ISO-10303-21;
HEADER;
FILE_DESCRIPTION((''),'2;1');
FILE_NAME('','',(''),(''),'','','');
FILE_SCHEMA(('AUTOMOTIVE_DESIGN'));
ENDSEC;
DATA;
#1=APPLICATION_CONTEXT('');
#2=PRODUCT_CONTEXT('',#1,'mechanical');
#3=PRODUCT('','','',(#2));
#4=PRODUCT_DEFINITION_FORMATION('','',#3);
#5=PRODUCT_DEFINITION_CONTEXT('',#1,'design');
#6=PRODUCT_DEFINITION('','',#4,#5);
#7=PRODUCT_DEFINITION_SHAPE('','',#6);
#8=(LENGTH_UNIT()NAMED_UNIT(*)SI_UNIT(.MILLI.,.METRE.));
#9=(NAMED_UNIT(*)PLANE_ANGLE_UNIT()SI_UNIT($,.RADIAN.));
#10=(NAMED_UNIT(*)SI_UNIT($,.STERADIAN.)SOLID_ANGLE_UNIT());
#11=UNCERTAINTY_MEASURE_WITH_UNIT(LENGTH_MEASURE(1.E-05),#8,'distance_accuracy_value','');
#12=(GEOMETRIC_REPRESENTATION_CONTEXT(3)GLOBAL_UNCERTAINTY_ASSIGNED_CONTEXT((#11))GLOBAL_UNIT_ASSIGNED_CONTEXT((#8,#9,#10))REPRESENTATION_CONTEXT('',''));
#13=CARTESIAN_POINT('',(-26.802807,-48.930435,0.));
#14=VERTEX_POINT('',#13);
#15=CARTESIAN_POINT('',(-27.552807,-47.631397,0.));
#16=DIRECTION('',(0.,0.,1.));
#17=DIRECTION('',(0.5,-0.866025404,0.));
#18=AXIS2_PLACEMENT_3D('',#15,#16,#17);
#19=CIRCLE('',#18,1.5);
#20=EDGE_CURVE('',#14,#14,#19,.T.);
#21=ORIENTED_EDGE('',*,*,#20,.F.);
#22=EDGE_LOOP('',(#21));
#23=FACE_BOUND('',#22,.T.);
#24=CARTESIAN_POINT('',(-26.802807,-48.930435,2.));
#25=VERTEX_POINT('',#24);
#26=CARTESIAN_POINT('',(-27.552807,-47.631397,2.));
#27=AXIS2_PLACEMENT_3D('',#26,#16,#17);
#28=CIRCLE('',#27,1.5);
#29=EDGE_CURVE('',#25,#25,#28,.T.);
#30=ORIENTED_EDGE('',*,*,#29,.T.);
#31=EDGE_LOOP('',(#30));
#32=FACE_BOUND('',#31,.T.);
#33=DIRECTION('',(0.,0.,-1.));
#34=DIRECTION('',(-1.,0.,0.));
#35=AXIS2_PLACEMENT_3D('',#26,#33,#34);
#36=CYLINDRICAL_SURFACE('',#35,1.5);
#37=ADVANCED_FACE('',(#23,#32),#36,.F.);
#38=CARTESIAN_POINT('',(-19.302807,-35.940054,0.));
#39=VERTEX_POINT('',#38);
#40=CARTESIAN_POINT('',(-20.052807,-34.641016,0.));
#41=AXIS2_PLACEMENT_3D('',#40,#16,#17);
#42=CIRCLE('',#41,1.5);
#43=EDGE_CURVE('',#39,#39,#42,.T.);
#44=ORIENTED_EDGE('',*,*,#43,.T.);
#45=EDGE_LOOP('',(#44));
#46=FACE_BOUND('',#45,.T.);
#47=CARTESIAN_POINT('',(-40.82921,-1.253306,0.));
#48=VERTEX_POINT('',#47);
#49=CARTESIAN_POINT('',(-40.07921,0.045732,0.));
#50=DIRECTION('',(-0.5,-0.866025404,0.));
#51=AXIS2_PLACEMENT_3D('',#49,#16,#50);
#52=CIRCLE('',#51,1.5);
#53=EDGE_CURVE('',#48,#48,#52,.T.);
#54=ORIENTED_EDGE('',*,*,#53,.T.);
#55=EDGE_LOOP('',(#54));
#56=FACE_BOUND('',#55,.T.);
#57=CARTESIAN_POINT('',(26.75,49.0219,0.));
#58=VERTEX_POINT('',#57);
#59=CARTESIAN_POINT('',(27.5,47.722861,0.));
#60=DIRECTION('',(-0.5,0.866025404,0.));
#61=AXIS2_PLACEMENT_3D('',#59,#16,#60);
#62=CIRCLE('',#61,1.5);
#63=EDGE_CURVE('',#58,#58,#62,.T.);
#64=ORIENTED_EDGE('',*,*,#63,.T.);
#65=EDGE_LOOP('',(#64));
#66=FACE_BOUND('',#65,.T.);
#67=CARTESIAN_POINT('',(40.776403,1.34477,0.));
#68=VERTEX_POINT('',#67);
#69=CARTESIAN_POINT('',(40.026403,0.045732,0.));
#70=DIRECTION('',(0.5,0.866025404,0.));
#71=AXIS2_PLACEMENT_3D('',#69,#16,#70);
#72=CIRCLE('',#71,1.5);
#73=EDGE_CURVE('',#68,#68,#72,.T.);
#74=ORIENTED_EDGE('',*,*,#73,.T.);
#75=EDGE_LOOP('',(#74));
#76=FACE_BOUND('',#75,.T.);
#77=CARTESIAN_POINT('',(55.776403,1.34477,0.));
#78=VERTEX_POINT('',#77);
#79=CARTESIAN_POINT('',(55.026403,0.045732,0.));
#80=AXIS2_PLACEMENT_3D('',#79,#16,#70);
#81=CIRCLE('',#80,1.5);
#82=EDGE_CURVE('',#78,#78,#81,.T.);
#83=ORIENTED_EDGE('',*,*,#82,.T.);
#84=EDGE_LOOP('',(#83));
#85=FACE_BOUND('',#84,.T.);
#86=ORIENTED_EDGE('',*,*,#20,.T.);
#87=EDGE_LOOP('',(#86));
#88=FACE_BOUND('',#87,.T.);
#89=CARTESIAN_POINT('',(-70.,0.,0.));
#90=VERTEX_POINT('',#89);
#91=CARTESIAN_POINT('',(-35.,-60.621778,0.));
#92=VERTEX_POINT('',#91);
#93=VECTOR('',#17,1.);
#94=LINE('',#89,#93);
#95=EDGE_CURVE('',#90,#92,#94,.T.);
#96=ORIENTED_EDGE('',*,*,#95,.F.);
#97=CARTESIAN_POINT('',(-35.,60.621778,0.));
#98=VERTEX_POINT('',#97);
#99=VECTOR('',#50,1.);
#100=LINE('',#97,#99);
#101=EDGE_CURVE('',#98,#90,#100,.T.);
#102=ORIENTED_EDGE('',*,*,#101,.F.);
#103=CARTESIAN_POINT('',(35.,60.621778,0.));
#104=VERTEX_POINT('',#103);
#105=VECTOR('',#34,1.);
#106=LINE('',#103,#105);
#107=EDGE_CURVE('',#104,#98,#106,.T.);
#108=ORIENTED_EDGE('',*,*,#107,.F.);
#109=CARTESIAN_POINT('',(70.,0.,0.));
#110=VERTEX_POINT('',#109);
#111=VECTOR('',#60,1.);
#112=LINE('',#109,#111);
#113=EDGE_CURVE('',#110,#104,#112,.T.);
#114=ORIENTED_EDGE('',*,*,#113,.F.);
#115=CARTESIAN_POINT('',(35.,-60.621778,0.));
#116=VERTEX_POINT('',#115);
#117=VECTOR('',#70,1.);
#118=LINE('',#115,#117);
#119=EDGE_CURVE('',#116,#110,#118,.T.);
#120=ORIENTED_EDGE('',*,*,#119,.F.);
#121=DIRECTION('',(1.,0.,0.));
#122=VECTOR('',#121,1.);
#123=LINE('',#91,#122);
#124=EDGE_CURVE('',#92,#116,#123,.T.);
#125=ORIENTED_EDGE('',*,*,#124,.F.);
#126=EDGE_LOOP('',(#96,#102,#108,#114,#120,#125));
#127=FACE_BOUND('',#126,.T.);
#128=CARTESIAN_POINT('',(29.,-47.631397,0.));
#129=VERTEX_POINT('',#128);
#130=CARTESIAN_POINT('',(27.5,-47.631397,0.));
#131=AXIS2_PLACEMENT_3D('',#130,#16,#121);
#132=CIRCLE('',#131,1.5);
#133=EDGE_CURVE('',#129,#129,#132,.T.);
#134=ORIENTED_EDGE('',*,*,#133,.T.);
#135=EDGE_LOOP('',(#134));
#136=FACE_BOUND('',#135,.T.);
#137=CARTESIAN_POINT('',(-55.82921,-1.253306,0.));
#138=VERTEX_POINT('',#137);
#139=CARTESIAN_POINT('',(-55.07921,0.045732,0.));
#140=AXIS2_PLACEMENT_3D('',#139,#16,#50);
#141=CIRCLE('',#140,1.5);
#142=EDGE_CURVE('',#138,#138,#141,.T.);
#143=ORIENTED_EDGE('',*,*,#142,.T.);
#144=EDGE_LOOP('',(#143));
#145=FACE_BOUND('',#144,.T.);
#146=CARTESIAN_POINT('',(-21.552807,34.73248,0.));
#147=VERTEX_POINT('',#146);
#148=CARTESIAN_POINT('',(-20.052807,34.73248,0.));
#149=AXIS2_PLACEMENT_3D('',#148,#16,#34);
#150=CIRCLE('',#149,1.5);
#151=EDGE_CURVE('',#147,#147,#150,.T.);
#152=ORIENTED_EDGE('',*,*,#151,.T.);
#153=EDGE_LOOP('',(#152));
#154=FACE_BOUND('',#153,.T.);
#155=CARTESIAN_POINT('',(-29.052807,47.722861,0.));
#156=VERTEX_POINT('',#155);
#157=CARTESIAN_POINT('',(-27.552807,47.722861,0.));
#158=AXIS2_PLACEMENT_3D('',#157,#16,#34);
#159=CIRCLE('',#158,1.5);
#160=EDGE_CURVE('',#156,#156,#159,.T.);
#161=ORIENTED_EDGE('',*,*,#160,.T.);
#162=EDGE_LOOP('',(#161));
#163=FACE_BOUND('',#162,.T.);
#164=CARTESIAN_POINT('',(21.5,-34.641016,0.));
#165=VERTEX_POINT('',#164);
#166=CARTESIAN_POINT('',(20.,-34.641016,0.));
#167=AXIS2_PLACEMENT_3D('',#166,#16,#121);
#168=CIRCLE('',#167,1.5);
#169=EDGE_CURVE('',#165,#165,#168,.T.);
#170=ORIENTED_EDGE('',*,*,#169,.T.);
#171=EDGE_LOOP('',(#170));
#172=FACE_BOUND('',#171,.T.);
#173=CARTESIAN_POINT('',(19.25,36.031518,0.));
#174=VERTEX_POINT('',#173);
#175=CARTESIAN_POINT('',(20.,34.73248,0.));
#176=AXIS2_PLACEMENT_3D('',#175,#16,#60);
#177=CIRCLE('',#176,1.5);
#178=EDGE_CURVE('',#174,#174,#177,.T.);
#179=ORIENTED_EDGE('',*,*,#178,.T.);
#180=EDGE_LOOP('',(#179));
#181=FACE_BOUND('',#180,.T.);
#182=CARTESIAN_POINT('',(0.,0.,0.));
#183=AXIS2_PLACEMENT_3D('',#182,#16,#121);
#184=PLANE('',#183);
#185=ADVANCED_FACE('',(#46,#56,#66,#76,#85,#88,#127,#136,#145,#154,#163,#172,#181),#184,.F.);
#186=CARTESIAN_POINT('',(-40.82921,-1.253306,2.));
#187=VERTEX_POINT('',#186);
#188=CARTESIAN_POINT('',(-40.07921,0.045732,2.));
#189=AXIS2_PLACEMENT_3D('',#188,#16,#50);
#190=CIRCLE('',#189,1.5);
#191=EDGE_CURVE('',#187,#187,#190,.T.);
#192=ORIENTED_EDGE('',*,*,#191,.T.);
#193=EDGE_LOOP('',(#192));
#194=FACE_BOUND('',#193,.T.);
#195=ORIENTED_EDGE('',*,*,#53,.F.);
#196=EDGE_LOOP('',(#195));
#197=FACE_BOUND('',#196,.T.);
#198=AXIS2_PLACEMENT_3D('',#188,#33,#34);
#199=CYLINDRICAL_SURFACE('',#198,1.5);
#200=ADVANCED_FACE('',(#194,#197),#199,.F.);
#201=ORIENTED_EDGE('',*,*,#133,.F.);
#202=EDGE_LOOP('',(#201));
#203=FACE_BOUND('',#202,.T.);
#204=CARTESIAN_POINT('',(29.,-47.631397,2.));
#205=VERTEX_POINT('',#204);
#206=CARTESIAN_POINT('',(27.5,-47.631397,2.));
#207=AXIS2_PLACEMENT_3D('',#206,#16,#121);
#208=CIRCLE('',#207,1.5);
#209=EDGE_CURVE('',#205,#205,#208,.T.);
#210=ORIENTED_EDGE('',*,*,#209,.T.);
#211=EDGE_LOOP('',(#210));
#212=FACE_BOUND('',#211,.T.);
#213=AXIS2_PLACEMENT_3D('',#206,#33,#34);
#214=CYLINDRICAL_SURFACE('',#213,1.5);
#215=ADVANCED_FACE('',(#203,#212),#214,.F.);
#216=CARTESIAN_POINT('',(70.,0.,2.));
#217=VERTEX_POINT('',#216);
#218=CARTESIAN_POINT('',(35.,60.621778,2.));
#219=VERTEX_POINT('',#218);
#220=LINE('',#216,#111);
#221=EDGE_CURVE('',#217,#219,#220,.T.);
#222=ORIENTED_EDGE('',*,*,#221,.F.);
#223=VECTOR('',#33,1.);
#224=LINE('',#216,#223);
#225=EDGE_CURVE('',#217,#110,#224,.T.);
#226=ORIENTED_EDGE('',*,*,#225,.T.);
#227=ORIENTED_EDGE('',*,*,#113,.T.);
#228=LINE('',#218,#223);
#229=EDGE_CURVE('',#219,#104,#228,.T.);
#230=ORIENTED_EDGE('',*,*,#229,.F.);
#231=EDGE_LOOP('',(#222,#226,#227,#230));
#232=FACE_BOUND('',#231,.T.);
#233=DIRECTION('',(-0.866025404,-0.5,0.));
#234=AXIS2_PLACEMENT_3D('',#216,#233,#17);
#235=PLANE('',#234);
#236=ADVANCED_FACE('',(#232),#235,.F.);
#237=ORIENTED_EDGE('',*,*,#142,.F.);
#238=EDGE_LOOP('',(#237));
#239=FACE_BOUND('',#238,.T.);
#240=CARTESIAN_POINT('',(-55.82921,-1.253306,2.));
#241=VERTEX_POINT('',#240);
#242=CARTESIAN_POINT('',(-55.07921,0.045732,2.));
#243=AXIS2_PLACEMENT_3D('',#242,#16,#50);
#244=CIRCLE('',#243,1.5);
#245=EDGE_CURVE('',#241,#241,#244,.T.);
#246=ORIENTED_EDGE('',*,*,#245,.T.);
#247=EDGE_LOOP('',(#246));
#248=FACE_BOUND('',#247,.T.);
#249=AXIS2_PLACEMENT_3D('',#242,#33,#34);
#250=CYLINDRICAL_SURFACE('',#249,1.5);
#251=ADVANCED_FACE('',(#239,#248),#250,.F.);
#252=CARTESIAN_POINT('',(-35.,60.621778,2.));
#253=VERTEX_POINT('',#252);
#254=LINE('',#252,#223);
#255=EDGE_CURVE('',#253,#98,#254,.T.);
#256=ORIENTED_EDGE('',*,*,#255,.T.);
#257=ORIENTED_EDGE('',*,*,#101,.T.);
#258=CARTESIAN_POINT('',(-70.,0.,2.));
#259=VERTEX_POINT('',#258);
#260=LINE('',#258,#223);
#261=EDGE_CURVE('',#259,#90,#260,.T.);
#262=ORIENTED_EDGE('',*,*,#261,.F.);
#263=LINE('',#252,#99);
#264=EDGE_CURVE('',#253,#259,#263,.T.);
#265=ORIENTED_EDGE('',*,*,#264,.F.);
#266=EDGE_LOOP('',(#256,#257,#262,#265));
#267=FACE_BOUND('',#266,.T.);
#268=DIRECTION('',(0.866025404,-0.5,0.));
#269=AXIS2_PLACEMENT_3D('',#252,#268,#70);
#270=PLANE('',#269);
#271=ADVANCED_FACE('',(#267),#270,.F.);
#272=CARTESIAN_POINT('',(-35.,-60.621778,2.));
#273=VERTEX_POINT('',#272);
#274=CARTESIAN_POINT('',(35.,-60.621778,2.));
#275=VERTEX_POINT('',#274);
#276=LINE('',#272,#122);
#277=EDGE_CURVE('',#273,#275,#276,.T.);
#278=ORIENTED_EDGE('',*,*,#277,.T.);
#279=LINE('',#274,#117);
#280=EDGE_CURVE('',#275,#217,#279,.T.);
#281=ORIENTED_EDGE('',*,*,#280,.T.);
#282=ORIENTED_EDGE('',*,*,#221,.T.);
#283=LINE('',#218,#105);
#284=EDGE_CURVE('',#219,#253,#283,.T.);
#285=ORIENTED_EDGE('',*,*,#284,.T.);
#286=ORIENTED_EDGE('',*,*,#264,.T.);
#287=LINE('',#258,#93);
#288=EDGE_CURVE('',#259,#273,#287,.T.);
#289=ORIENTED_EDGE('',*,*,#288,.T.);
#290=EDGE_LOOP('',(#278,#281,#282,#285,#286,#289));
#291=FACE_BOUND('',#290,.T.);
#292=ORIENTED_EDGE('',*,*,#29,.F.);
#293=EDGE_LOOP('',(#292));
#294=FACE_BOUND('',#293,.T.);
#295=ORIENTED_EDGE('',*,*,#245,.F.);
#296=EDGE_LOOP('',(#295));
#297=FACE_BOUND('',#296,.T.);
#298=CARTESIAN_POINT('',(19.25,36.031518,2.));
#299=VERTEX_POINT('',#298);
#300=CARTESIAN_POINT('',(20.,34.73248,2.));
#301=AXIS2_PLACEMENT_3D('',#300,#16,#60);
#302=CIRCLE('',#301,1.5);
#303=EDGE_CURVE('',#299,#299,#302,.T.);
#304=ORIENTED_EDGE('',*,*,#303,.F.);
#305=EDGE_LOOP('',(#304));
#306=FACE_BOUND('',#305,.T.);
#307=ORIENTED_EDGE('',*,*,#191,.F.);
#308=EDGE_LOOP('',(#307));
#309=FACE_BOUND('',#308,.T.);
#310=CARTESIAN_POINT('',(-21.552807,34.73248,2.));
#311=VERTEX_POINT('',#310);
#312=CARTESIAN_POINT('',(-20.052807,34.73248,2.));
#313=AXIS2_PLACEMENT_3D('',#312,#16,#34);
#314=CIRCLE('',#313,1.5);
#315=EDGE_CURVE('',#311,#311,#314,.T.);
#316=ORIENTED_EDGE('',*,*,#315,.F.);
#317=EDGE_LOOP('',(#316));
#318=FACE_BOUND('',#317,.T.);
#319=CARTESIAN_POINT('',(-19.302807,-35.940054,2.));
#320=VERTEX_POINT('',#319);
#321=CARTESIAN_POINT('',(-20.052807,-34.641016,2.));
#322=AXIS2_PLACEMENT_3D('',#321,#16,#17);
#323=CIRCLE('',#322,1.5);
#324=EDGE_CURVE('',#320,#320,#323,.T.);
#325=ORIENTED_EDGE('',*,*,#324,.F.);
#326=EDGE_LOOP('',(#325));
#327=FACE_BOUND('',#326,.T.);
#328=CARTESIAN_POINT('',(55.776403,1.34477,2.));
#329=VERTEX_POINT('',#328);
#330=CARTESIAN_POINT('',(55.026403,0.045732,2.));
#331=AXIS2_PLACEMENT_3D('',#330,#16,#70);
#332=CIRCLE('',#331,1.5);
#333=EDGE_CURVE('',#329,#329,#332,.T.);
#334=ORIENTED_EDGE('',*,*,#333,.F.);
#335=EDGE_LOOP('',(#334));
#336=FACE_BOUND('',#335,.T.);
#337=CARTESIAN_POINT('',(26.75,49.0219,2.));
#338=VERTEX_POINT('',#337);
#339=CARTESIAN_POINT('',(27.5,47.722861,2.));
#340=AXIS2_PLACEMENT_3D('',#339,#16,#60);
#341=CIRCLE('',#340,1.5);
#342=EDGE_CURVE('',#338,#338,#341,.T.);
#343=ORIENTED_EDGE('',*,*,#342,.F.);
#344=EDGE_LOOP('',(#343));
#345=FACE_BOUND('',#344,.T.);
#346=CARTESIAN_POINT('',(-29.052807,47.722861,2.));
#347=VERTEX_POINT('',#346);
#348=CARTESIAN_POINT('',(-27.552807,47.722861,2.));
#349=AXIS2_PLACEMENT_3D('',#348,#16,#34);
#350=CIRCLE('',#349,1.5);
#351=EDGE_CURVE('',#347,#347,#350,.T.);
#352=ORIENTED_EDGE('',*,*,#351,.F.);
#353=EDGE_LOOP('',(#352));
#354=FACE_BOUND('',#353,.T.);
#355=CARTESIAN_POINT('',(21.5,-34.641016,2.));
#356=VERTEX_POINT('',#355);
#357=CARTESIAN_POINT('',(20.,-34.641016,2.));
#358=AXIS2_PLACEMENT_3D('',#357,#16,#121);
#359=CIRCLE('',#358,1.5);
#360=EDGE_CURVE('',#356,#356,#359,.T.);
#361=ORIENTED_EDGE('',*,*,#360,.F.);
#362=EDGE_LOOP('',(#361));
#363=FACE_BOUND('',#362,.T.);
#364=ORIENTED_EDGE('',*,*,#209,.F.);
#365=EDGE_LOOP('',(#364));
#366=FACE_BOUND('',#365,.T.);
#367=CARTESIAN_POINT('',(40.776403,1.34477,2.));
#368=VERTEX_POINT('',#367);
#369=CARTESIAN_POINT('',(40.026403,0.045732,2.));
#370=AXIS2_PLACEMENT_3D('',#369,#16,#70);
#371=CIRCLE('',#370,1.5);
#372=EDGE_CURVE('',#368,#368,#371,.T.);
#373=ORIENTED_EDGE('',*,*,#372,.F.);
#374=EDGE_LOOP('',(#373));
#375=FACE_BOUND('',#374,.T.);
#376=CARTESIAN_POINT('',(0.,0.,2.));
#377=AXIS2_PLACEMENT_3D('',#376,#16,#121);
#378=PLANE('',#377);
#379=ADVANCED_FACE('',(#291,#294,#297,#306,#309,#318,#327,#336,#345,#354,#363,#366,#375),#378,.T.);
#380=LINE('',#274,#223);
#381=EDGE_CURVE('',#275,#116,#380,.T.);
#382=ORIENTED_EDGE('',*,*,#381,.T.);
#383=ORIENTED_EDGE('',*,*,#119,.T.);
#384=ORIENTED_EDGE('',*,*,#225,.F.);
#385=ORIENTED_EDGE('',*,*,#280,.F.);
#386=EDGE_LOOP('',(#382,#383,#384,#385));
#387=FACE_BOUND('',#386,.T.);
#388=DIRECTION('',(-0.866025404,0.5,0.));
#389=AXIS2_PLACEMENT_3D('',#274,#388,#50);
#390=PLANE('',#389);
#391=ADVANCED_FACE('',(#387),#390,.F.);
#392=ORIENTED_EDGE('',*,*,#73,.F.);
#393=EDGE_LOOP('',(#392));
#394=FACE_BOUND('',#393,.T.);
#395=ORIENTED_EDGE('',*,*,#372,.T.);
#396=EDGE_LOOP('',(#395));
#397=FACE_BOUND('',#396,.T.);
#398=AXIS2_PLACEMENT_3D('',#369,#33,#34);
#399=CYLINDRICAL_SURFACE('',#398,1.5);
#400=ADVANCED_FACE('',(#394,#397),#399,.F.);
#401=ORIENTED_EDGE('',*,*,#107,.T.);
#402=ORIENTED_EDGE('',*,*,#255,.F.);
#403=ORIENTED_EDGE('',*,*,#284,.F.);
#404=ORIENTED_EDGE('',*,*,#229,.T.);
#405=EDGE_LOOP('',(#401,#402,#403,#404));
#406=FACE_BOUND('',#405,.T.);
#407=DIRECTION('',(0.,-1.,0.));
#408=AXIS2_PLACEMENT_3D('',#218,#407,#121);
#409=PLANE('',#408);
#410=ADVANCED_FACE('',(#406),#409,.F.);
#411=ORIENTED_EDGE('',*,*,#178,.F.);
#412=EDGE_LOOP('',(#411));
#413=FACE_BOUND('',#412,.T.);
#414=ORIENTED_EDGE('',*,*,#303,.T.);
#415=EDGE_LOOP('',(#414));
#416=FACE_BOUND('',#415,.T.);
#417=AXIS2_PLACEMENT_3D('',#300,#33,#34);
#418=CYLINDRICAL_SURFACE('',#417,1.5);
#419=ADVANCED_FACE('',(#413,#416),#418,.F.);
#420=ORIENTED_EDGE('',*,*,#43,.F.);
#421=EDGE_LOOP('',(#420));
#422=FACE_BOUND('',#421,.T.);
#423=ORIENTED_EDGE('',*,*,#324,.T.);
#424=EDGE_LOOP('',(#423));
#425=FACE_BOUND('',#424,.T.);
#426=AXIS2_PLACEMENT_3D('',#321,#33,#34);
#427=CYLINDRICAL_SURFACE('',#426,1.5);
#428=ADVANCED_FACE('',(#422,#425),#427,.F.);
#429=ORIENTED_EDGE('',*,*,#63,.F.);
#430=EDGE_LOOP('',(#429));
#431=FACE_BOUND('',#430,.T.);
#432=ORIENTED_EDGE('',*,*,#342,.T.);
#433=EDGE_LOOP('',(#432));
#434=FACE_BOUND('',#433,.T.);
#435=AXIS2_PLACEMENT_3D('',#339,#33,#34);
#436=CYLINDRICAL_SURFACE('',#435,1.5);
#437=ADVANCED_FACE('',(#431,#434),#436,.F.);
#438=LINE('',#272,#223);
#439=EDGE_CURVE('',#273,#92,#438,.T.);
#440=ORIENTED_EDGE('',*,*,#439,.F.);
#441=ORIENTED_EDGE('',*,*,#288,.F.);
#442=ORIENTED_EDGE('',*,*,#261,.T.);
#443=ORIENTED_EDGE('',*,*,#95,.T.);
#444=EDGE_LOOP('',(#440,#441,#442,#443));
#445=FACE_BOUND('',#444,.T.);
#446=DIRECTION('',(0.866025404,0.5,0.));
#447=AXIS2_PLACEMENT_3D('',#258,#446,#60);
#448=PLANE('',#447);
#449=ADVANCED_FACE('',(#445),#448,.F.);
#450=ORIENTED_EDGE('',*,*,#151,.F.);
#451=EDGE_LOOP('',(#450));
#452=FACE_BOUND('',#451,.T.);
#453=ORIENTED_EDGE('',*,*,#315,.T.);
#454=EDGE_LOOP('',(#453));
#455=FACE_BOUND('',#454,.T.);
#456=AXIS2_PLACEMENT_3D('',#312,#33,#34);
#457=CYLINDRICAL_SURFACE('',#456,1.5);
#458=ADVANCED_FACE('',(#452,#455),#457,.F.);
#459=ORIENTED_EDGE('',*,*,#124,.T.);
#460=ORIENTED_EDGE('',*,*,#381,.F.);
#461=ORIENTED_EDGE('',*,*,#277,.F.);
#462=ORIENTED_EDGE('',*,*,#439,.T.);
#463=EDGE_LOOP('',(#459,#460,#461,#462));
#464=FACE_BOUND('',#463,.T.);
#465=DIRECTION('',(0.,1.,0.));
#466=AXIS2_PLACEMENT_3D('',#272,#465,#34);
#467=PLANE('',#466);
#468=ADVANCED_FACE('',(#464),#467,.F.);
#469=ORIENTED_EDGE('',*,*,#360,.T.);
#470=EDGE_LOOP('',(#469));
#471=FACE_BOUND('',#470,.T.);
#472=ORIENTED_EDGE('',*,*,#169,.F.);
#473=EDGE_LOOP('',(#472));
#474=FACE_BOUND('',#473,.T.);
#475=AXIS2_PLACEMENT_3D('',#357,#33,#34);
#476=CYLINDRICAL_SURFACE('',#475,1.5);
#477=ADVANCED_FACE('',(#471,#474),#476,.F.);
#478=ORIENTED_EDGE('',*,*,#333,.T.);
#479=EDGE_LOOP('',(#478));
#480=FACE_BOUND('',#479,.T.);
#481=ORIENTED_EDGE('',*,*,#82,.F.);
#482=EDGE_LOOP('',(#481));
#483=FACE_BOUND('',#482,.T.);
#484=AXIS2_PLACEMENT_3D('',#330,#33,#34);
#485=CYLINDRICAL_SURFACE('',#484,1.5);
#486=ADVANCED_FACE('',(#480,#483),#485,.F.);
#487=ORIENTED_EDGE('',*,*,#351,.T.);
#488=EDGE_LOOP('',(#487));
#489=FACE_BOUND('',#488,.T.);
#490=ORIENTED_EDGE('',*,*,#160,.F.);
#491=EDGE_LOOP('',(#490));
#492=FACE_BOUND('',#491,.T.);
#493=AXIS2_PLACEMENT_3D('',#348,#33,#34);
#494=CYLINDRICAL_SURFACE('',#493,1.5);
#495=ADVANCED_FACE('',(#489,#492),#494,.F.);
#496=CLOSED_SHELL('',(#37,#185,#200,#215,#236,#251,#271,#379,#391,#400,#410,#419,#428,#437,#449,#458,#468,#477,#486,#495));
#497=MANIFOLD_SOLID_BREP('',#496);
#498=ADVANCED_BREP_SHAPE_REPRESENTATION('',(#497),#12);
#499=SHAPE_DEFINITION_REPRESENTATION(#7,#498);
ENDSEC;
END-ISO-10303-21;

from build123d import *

# Parameters (mm, degrees)
BOSS_EXTRUDE1_DEPTH = 2
SKETCH3_R           = 1.5
CUT_EXTRUDE1_DEPTH  = 2
CIRPATTERN1_COUNT   = 6


with BuildPart() as part:
    # Sketch2 → Boss-Extrude1 (new body)
    with BuildSketch(Plane.XY):
        Polygon((35, -60.621778265), (70, 0), (35, 60.621778265), (-35, 60.621778265), (-70, 0), (-35, -60.621778265), align=None)
    extrude(amount=BOSS_EXTRUDE1_DEPTH)

    # Sketch3 → Cut-Extrude1 (cut)
    with BuildSketch(Plane.XY):
        with Locations((27.5, -47.631397208)):
            Circle(SKETCH3_R)
        with Locations((20, -34.641016151)):
            Circle(SKETCH3_R)
    cut_extrude1 = extrude(amount=CUT_EXTRUDE1_DEPTH, mode=Mode.SUBTRACT)

    # CirPattern1: Cut-Extrude1 ×6 about axis
    cirpattern1_axis = Axis((-0.026403444, 0.045732107, 0), (0, 0, 1))
    for i in range(1, CIRPATTERN1_COUNT):
        add(cut_extrude1.rotate(cirpattern1_axis, i * 360 / CIRPATTERN1_COUNT), mode=Mode.SUBTRACT)


solid = part.part
